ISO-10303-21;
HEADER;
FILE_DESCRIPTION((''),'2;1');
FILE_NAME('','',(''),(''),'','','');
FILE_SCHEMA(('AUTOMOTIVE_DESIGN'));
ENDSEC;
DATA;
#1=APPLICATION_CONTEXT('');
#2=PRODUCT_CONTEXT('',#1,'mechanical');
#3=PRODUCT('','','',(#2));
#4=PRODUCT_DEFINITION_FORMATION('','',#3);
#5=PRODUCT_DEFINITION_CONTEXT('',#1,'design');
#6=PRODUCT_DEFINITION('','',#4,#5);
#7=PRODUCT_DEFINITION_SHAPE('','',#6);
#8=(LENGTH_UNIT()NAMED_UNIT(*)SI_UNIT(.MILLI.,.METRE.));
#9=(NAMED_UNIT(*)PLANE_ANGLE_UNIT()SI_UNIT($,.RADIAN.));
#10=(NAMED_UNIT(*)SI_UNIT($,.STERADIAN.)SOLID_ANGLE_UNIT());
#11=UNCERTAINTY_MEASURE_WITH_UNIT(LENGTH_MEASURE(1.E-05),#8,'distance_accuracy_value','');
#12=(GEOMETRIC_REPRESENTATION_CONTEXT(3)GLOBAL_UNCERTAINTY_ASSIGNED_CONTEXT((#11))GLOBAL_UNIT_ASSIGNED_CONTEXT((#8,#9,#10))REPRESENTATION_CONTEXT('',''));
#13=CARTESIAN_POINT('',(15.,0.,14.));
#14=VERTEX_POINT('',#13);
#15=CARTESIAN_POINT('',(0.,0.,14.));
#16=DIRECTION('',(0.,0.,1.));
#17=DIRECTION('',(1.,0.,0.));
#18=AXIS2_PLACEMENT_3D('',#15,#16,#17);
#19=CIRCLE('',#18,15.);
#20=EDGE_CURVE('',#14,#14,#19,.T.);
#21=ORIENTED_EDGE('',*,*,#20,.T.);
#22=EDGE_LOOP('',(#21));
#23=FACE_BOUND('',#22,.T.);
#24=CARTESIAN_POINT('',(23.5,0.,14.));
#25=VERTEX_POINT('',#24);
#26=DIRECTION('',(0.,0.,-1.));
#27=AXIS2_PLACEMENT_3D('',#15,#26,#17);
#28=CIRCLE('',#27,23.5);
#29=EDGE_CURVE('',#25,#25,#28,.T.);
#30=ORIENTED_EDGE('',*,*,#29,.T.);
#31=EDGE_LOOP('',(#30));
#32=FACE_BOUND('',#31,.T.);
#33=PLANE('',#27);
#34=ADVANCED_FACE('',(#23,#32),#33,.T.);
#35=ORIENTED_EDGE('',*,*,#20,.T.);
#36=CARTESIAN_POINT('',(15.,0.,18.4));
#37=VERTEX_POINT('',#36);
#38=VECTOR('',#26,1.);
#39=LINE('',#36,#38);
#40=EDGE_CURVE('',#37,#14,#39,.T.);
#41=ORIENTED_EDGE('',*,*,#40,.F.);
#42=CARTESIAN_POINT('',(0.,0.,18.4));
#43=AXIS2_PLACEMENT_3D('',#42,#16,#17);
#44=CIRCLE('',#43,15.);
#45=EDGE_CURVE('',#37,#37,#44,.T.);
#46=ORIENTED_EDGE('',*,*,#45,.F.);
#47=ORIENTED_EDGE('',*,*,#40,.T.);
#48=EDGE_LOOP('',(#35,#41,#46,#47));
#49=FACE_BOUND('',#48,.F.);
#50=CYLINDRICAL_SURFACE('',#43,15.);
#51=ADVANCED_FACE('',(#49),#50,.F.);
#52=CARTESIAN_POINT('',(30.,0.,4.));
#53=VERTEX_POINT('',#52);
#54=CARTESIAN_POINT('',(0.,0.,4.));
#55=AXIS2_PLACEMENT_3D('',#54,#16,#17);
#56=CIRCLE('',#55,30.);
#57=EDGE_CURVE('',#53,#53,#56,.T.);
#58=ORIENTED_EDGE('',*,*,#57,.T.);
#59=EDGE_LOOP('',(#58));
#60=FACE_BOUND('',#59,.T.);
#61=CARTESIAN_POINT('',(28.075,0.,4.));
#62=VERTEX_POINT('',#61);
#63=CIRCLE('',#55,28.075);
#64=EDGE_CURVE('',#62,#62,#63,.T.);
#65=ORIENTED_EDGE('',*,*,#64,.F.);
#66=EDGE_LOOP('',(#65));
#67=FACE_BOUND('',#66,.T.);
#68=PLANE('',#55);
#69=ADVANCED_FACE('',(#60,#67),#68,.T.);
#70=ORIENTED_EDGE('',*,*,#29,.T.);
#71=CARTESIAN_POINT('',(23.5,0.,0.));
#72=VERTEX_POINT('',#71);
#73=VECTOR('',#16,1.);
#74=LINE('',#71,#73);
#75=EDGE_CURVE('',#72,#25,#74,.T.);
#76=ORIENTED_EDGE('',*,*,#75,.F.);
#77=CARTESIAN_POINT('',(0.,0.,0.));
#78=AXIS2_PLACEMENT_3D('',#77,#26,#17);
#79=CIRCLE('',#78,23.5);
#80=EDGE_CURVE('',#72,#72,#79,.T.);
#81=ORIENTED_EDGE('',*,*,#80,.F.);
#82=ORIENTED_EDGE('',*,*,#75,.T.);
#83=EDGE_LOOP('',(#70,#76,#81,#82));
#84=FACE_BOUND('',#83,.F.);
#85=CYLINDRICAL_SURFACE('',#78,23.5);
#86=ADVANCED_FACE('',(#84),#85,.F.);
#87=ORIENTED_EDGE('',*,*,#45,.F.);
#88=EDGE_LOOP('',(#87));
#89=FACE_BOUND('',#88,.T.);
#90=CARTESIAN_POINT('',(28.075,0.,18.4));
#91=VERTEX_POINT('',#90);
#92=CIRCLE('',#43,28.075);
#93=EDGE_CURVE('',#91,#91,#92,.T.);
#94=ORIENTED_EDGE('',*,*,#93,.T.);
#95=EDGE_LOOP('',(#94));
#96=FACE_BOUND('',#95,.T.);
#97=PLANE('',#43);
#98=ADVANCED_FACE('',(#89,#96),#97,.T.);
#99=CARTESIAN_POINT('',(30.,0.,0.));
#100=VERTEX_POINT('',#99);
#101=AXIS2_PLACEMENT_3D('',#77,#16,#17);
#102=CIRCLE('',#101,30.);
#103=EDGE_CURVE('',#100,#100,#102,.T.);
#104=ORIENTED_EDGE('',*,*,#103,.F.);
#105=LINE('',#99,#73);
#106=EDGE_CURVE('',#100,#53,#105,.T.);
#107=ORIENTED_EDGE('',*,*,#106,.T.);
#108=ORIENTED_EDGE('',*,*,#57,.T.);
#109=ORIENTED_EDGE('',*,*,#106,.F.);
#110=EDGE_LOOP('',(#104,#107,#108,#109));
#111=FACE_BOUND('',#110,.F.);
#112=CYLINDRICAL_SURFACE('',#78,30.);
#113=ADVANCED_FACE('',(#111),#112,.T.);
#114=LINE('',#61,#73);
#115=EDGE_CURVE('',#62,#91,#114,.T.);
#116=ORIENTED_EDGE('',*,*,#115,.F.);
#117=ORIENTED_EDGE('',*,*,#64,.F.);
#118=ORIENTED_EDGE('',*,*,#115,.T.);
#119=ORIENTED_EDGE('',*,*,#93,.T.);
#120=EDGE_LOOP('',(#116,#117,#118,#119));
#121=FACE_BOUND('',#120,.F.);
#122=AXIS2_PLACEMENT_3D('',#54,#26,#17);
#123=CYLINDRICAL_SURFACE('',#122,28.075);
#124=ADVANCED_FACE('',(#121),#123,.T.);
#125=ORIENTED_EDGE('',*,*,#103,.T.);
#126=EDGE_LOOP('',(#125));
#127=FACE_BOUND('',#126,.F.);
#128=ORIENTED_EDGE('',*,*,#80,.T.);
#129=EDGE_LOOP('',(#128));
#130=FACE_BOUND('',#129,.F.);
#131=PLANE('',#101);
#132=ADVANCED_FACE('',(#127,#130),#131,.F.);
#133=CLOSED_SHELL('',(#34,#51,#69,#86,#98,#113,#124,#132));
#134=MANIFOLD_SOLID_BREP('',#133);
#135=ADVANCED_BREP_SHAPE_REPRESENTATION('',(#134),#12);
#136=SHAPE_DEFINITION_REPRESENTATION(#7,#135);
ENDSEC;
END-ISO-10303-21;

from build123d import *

# Parameters (mm, degrees)
F0_R     = 30
F1_DEPTH = 4
F2_R     = 28.075
F3_DEPTH = 14.4
F4_R     = 23.5
F5_DEPTH = 14
F6_R     = 15
F7_DEPTH = 18.401


with BuildPart() as f1:
    # F0 (on Top) → F1 (new body)
    with BuildSketch(Plane.XY):
        Circle(F0_R)
    extrude(amount=F1_DEPTH)

    # F2 (on face) → F3 (join)
    with BuildSketch(Plane.XY.offset(4)):
        Circle(F2_R)
    extrude(amount=F3_DEPTH)

    # F4 (on face) → F5 (cut)
    with BuildSketch(Plane(origin=(0, 0, 0), x_dir=(1, 0, 0), z_dir=(0, 0, -1))):
        Circle(F4_R)
    extrude(amount=-F5_DEPTH, mode=Mode.SUBTRACT)

    # F6 (on face) → F7 (cut, through all)
    with BuildSketch(Plane.XY.offset(18.4)):
        Circle(F6_R)
    extrude(amount=-F7_DEPTH, mode=Mode.SUBTRACT)


solid = f1.part
